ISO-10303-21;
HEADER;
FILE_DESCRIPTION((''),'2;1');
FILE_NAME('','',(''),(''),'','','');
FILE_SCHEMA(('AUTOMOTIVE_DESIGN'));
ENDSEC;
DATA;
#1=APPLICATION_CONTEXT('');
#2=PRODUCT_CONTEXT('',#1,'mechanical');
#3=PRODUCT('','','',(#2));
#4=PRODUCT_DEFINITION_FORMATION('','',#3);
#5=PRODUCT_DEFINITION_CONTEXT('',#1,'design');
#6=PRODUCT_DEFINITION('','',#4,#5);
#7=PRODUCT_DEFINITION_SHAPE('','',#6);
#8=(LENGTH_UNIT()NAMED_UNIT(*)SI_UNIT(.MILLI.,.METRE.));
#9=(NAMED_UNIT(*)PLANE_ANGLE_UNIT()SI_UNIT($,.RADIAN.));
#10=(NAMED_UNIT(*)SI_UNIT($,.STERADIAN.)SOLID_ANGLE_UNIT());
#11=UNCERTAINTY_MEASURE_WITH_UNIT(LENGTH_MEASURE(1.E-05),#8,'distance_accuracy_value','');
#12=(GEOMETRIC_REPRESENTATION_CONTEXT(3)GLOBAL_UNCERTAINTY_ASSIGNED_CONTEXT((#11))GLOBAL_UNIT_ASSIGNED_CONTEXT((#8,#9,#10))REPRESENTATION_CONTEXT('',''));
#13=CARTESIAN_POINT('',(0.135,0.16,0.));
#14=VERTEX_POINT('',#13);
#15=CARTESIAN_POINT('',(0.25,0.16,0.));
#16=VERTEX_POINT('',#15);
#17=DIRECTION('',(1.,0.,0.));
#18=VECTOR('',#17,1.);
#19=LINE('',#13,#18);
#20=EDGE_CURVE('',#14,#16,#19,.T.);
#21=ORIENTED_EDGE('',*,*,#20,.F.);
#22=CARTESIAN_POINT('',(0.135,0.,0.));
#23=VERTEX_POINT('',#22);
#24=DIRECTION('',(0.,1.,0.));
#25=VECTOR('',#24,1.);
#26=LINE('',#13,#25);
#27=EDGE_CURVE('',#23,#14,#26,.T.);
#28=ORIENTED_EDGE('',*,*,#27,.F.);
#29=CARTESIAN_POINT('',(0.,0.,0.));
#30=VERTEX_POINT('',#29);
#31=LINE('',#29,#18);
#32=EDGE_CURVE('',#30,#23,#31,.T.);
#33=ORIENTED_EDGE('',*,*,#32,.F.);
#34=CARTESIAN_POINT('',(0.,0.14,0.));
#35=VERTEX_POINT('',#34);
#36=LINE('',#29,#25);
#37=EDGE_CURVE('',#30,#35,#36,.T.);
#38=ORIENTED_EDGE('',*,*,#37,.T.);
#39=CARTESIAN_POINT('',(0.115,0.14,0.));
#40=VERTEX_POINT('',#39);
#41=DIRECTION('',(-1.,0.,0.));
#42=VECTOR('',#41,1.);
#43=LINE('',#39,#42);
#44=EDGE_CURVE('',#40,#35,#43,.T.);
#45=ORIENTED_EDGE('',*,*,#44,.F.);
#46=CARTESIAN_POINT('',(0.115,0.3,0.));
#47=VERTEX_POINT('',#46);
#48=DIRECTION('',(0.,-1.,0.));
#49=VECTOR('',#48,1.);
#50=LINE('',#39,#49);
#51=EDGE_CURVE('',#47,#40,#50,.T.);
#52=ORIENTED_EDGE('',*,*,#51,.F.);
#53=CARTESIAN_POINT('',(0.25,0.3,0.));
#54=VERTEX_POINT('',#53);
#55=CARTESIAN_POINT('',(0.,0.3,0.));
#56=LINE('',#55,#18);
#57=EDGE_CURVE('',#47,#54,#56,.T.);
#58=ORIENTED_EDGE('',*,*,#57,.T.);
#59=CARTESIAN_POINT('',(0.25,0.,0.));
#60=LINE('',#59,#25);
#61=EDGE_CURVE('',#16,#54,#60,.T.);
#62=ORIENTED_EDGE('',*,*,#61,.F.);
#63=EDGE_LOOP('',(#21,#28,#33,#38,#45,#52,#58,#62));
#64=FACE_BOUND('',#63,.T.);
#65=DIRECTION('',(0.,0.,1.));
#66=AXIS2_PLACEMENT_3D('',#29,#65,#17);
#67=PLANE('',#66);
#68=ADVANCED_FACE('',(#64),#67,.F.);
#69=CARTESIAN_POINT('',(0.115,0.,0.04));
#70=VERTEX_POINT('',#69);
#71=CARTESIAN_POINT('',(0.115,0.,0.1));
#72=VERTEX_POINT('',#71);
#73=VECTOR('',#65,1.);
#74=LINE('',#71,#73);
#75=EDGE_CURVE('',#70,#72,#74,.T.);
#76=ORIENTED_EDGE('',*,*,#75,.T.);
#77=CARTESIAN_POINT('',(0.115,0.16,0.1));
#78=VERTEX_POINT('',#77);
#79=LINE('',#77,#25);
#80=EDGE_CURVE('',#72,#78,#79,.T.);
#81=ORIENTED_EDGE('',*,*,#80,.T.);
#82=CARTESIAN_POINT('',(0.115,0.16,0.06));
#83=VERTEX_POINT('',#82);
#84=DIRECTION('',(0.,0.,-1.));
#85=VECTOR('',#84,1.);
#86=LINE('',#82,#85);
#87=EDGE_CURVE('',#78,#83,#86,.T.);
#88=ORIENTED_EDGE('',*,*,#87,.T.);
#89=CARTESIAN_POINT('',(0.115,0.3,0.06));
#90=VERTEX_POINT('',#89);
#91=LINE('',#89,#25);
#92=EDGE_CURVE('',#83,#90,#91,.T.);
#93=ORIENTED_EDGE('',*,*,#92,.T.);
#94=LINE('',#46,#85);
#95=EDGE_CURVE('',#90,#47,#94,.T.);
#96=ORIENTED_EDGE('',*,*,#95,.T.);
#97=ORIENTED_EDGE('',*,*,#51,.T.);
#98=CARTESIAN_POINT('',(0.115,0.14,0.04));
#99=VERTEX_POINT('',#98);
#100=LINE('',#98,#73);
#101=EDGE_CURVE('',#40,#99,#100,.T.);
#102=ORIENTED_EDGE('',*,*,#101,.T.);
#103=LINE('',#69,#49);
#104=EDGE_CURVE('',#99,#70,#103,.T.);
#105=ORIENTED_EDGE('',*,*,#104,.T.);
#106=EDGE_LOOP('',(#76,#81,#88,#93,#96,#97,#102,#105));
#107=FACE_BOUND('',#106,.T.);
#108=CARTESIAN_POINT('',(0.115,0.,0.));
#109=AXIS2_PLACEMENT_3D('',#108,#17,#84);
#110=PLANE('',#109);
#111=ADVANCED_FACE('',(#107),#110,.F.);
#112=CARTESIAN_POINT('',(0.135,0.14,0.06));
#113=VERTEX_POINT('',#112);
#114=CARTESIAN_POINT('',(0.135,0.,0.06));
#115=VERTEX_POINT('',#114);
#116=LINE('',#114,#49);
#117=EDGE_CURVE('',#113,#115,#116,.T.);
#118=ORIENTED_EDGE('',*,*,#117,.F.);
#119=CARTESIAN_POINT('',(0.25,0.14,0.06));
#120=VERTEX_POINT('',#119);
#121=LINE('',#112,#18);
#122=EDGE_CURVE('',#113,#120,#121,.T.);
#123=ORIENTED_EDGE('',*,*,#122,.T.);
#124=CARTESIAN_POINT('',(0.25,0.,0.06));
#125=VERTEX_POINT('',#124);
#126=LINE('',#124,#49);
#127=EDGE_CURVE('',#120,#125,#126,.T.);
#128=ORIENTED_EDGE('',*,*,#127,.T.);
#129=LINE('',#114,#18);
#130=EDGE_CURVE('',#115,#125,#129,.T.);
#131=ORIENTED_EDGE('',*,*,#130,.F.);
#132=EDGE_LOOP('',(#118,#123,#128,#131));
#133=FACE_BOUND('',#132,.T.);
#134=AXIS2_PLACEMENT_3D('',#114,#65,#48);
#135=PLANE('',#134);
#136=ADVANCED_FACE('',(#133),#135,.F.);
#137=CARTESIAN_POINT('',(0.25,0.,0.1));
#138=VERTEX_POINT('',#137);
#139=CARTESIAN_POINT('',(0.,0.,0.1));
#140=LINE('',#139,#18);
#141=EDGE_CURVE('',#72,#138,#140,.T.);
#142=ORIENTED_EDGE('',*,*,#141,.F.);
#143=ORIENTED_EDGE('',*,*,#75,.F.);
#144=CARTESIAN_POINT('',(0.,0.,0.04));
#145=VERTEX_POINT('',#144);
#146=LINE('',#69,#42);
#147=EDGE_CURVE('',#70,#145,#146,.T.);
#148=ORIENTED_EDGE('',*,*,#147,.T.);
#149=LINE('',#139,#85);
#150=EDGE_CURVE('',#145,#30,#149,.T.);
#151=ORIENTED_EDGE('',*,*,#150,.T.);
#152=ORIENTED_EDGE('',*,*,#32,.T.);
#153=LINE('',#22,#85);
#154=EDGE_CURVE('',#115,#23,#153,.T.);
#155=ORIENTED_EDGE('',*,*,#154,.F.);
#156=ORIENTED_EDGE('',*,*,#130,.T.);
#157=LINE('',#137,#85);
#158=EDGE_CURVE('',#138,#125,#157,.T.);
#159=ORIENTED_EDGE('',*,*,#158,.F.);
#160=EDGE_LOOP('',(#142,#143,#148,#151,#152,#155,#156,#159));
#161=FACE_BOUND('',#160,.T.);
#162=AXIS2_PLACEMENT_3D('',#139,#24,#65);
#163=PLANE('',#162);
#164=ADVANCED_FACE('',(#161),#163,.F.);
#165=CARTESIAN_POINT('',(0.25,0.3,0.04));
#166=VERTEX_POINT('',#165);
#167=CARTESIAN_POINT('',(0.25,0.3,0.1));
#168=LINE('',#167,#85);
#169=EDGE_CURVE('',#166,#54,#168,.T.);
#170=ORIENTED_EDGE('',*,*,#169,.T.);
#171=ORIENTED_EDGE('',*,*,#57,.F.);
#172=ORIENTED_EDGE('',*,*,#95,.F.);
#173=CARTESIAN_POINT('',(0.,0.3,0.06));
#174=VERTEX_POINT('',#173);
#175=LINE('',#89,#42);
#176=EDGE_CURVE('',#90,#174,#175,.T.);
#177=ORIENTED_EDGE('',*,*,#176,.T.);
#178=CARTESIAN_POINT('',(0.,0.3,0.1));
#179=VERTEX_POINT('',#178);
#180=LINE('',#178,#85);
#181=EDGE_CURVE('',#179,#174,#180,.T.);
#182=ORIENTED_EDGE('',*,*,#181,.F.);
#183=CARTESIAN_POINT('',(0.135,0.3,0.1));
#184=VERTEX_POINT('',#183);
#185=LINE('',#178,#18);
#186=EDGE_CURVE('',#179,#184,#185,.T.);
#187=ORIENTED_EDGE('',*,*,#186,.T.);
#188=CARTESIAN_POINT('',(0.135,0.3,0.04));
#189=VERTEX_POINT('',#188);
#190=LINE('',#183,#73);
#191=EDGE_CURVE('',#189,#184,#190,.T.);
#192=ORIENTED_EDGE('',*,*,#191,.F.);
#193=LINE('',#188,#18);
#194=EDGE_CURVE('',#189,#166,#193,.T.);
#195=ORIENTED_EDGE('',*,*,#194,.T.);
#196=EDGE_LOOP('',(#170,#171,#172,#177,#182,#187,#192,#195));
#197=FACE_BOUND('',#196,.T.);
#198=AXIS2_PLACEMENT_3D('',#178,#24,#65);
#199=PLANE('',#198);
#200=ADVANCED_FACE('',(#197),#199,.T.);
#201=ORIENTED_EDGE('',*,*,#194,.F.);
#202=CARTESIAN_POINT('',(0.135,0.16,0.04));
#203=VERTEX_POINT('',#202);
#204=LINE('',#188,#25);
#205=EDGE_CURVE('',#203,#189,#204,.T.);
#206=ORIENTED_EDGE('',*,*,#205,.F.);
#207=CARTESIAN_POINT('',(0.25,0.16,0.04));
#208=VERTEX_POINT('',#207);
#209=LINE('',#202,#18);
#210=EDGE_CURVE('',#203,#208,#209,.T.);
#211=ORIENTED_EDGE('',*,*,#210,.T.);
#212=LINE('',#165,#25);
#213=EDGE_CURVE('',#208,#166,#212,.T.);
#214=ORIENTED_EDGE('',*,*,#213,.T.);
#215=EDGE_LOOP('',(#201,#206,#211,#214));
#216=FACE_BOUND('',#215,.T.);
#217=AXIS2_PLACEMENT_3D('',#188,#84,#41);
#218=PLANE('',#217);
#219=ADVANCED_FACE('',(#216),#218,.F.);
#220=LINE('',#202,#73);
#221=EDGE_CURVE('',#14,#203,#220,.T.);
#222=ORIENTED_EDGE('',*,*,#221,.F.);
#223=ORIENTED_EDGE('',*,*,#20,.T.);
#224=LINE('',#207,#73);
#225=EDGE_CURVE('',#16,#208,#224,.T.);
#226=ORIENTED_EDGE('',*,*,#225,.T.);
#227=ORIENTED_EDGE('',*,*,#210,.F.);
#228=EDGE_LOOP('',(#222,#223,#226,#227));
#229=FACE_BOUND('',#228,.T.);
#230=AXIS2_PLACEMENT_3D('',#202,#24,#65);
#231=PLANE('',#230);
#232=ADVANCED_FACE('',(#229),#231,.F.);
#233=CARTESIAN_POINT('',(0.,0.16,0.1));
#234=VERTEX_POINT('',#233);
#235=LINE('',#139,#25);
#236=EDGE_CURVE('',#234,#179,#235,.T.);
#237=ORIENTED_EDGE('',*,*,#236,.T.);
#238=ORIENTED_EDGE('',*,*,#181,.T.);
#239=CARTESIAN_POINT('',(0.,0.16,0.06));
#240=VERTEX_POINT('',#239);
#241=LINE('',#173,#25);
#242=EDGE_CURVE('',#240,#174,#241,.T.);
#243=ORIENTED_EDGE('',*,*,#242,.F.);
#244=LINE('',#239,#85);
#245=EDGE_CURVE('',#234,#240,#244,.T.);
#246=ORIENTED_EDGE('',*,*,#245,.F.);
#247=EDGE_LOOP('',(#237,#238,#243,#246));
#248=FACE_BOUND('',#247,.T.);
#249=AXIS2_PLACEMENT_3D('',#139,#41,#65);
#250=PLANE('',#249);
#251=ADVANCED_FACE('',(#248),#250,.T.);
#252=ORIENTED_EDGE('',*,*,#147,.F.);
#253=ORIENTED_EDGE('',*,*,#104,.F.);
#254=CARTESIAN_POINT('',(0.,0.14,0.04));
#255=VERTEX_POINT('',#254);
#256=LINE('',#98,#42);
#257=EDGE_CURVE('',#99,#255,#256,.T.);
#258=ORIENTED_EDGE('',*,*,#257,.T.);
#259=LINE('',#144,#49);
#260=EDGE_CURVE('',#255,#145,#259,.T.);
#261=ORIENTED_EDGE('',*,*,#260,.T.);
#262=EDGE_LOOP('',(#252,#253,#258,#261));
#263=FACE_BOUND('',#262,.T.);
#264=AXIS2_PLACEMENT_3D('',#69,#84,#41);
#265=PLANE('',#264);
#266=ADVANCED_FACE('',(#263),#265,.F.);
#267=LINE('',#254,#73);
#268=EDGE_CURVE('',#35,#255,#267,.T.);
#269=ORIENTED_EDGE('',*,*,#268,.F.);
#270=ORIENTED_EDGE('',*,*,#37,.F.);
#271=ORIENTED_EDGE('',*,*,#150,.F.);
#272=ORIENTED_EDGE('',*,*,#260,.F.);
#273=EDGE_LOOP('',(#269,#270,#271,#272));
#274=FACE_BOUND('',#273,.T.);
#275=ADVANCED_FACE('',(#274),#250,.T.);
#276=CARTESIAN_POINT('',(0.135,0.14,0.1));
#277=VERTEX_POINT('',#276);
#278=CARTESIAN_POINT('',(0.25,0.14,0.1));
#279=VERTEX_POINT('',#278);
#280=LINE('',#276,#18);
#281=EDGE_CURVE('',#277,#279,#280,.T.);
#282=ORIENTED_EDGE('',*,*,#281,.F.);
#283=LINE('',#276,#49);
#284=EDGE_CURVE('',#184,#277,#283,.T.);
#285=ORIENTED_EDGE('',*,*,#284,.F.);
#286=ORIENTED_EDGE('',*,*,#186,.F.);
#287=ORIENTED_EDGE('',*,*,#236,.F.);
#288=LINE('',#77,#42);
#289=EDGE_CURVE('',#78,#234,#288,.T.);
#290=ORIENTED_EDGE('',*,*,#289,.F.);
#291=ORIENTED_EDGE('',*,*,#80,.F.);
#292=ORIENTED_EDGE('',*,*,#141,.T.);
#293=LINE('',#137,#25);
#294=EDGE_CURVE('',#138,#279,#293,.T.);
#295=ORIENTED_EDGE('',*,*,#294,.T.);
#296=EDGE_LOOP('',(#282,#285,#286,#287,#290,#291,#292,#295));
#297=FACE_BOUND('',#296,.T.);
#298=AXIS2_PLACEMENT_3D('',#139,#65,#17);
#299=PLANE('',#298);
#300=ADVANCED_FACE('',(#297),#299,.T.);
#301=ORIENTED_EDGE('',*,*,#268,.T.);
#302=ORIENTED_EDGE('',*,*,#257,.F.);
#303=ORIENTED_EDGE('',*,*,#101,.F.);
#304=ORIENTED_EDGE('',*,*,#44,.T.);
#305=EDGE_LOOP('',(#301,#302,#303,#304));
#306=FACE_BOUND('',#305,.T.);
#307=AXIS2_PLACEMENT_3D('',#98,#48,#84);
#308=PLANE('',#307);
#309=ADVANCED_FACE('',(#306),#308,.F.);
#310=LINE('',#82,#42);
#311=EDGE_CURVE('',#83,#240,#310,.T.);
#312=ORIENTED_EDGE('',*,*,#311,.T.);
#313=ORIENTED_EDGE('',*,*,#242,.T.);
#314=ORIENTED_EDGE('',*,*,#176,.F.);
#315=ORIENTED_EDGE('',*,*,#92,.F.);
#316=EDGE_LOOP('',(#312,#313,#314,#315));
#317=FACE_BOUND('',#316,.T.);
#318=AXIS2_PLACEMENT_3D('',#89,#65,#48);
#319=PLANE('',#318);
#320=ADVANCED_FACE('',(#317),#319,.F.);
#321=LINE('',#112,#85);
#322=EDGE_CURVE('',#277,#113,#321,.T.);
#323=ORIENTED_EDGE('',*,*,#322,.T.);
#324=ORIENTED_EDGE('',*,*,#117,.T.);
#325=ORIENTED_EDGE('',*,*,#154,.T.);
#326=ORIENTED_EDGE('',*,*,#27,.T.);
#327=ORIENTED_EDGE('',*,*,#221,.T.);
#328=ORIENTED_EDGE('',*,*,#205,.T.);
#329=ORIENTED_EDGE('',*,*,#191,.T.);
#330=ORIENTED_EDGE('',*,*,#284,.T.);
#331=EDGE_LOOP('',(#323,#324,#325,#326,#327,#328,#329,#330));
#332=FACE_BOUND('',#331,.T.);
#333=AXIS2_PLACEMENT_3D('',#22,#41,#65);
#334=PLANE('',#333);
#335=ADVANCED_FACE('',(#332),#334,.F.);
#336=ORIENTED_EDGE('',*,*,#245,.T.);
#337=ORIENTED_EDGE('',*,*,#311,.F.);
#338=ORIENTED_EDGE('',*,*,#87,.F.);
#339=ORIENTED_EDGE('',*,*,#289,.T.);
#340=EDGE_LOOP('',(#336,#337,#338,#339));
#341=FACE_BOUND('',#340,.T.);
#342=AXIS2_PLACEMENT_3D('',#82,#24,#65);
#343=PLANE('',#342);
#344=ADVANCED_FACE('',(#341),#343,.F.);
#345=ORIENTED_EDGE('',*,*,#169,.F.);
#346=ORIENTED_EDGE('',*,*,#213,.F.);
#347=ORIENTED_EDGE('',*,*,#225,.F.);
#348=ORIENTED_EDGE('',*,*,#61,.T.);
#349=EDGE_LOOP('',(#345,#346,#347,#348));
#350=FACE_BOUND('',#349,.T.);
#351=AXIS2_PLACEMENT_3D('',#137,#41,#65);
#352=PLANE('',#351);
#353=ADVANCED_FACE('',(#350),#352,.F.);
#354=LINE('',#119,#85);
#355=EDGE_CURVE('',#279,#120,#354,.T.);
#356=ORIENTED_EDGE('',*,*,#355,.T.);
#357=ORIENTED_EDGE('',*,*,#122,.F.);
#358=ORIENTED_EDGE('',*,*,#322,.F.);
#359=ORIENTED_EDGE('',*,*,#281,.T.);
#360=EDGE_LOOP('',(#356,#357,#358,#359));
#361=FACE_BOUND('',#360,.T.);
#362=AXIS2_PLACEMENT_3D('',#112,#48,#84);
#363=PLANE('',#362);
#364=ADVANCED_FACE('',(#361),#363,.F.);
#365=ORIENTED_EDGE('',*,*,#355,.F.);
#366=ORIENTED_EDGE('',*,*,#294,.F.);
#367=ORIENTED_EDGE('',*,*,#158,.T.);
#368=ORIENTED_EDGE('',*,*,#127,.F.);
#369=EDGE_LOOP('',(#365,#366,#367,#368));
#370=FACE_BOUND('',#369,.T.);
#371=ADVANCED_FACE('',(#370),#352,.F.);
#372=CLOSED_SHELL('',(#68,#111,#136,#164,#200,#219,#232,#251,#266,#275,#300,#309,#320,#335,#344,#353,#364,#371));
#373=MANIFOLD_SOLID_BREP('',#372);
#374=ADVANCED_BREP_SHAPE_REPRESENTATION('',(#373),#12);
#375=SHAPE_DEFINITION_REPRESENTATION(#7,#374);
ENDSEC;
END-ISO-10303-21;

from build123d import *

# Parameters (mm, degrees)
SKETCH1_W           = 0.25
SKETCH1_H           = 0.3
BOSS_EXTRUDE1_DEPTH = 0.1
CUT_EXTRUDE1_DEPTH  = 0.115
CUT_EXTRUDE2_DEPTH  = 0.115


with BuildPart() as part:
    # Sketch1 → Boss-Extrude1 (new body)
    with BuildSketch(Plane.XY):
        with Locations((0.125, 0.15)):
            Rectangle(SKETCH1_W, SKETCH1_H)
    extrude(amount=BOSS_EXTRUDE1_DEPTH)

    # Sketch2 → Cut-Extrude1 (cut)
    with BuildSketch(Plane.ZY):
        Polygon((0, 0.3), (0.06, 0.3), (0.06, 0.16), (0.1, 0.16), (0.1, 0), (0.04, 0), (0.04, 0.14), (0, 0.14), align=None)
    extrude(amount=-CUT_EXTRUDE1_DEPTH, mode=Mode.SUBTRACT)

    # Sketch4 → Cut-Extrude2 (cut)
    with BuildSketch(Plane(origin=(0.25, 0, 0), x_dir=(0, 0, -1), z_dir=(1, 0, 0))):
        Polygon((-0.1, 0.14), (-0.1, 0.3), (-0.04, 0.3), (-0.04, 0.16), (0, 0.16), (0, 0), (-0.06, 0), (-0.06, 0.14), align=None)
    extrude(amount=-CUT_EXTRUDE2_DEPTH, mode=Mode.SUBTRACT)


solid = part.part
